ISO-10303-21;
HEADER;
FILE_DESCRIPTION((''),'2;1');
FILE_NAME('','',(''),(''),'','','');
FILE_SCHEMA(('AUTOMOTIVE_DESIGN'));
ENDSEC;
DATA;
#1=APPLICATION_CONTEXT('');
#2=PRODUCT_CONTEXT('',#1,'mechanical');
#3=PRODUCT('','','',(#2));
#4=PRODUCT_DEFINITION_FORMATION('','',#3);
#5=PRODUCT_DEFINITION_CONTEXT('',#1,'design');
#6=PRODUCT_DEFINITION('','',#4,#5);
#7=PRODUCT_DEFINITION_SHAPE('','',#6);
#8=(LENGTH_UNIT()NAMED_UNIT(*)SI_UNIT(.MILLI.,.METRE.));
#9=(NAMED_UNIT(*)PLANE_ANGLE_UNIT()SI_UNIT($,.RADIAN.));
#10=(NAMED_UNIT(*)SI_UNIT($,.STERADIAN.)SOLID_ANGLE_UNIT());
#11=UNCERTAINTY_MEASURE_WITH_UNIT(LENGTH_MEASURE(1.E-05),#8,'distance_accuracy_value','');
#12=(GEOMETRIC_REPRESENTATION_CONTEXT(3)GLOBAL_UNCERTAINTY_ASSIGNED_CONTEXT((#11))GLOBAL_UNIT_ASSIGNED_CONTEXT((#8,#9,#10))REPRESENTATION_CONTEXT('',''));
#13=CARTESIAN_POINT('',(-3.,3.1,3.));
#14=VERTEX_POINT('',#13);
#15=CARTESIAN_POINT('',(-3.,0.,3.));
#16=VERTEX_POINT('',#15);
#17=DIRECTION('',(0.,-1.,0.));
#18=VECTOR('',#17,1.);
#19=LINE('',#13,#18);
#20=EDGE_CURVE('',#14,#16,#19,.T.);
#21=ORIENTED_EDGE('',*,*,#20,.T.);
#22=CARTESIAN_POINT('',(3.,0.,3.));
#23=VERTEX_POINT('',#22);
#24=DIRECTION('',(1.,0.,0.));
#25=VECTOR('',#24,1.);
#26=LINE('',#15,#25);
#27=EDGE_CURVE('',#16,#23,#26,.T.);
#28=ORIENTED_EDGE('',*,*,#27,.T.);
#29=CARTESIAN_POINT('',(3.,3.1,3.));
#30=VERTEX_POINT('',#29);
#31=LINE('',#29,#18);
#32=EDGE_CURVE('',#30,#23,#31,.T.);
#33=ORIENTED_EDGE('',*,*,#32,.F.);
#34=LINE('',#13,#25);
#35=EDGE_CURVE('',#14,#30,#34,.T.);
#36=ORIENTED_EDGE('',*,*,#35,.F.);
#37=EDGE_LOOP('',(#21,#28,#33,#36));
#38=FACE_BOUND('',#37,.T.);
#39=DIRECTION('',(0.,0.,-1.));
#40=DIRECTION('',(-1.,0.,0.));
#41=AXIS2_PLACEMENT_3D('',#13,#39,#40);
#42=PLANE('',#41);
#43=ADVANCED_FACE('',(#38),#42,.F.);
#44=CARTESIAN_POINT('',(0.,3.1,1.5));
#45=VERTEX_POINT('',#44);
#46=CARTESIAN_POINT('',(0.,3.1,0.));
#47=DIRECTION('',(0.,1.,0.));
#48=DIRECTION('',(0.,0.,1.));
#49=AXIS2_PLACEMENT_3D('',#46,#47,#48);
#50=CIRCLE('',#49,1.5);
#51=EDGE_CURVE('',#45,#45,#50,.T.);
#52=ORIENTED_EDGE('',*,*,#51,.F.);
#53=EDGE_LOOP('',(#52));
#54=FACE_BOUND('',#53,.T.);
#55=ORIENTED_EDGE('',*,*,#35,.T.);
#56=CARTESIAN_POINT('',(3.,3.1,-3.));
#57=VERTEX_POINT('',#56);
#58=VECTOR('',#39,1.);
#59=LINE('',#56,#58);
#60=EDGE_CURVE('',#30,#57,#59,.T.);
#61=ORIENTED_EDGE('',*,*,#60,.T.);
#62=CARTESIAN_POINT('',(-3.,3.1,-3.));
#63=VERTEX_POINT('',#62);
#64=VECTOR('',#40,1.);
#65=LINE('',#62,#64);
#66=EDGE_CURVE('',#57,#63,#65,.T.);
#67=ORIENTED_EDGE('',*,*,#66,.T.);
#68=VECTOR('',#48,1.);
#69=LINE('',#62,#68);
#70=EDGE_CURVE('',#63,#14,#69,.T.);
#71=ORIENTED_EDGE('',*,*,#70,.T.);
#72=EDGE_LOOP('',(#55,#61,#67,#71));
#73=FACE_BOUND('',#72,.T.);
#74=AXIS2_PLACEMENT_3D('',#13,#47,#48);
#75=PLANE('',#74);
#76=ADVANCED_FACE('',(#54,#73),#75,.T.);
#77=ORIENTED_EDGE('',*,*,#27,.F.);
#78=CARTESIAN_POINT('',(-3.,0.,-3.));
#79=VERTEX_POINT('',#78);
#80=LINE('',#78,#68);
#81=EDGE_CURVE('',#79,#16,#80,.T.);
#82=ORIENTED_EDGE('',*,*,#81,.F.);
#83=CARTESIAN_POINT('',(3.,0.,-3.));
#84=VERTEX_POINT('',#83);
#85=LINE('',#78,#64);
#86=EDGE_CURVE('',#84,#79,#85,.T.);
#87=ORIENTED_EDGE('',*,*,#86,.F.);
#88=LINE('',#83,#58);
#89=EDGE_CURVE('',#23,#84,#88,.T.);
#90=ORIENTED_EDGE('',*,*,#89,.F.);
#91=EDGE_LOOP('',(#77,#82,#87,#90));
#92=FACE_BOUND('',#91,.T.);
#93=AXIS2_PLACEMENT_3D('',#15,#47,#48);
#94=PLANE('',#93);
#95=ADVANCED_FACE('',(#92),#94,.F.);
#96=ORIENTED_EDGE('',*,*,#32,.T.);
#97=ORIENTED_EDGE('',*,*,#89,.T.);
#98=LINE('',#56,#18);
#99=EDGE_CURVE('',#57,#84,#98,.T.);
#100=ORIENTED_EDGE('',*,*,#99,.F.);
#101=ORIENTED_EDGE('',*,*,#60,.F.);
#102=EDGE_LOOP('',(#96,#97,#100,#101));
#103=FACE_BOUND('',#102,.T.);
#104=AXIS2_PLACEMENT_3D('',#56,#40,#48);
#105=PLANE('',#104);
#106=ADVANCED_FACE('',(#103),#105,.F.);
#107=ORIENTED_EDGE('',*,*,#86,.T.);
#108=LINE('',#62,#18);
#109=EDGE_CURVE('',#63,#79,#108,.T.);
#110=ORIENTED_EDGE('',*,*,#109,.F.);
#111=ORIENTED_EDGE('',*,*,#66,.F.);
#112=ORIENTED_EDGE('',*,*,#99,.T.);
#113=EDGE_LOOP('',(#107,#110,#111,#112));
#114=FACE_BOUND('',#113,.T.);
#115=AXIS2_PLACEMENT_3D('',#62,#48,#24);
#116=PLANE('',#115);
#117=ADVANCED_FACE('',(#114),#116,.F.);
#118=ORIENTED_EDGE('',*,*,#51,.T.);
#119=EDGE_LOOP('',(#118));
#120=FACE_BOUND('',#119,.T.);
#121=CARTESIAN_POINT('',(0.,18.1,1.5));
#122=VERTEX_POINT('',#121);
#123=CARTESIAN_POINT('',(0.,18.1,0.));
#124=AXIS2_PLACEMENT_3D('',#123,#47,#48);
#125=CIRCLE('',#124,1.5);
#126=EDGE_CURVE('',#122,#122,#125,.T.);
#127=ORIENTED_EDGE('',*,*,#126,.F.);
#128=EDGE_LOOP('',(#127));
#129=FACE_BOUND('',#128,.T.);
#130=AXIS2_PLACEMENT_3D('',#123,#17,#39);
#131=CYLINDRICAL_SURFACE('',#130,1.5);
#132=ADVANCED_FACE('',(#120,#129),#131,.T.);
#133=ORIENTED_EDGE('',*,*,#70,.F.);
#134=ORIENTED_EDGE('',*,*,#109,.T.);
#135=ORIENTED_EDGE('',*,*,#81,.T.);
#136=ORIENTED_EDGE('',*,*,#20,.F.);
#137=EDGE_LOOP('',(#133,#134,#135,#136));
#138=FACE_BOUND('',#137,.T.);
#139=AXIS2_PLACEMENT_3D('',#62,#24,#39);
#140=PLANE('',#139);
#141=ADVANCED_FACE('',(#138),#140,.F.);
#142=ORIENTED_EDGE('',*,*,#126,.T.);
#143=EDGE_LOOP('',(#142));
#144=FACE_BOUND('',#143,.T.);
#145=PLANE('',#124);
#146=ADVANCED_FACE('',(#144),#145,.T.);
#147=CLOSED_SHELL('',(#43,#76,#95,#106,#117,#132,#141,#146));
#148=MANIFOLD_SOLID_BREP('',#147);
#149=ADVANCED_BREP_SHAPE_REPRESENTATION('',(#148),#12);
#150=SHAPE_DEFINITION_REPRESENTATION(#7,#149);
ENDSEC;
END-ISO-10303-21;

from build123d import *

# Parameters (mm, degrees)
SKETCH_1_W      = 6
SKETCH_1_H      = 6
EXTRUDE_1_DEPTH = 3.1
SKETCH_2_R      = 1.5
EXTRUDE_2_DEPTH = 15


with BuildPart() as part:
    # 草图1 → 拉伸1 (new body)
    with BuildSketch(Plane(origin=(0, 0, 0), x_dir=(1, 0, 0), z_dir=(0, 1, 0))):
        Rectangle(SKETCH_1_W, SKETCH_1_H)
    extrude(amount=EXTRUDE_1_DEPTH)

    # 草图2 → 拉伸2 (add)
    with BuildSketch(Plane(origin=(0, 3.1, 0), x_dir=(-1, 0, 0), z_dir=(0, 1, 0))):
        with Locations(Location((0, 0, 0), (0, 0, 90))):
            Circle(SKETCH_2_R)
    extrude(amount=EXTRUDE_2_DEPTH)


solid = part.part
